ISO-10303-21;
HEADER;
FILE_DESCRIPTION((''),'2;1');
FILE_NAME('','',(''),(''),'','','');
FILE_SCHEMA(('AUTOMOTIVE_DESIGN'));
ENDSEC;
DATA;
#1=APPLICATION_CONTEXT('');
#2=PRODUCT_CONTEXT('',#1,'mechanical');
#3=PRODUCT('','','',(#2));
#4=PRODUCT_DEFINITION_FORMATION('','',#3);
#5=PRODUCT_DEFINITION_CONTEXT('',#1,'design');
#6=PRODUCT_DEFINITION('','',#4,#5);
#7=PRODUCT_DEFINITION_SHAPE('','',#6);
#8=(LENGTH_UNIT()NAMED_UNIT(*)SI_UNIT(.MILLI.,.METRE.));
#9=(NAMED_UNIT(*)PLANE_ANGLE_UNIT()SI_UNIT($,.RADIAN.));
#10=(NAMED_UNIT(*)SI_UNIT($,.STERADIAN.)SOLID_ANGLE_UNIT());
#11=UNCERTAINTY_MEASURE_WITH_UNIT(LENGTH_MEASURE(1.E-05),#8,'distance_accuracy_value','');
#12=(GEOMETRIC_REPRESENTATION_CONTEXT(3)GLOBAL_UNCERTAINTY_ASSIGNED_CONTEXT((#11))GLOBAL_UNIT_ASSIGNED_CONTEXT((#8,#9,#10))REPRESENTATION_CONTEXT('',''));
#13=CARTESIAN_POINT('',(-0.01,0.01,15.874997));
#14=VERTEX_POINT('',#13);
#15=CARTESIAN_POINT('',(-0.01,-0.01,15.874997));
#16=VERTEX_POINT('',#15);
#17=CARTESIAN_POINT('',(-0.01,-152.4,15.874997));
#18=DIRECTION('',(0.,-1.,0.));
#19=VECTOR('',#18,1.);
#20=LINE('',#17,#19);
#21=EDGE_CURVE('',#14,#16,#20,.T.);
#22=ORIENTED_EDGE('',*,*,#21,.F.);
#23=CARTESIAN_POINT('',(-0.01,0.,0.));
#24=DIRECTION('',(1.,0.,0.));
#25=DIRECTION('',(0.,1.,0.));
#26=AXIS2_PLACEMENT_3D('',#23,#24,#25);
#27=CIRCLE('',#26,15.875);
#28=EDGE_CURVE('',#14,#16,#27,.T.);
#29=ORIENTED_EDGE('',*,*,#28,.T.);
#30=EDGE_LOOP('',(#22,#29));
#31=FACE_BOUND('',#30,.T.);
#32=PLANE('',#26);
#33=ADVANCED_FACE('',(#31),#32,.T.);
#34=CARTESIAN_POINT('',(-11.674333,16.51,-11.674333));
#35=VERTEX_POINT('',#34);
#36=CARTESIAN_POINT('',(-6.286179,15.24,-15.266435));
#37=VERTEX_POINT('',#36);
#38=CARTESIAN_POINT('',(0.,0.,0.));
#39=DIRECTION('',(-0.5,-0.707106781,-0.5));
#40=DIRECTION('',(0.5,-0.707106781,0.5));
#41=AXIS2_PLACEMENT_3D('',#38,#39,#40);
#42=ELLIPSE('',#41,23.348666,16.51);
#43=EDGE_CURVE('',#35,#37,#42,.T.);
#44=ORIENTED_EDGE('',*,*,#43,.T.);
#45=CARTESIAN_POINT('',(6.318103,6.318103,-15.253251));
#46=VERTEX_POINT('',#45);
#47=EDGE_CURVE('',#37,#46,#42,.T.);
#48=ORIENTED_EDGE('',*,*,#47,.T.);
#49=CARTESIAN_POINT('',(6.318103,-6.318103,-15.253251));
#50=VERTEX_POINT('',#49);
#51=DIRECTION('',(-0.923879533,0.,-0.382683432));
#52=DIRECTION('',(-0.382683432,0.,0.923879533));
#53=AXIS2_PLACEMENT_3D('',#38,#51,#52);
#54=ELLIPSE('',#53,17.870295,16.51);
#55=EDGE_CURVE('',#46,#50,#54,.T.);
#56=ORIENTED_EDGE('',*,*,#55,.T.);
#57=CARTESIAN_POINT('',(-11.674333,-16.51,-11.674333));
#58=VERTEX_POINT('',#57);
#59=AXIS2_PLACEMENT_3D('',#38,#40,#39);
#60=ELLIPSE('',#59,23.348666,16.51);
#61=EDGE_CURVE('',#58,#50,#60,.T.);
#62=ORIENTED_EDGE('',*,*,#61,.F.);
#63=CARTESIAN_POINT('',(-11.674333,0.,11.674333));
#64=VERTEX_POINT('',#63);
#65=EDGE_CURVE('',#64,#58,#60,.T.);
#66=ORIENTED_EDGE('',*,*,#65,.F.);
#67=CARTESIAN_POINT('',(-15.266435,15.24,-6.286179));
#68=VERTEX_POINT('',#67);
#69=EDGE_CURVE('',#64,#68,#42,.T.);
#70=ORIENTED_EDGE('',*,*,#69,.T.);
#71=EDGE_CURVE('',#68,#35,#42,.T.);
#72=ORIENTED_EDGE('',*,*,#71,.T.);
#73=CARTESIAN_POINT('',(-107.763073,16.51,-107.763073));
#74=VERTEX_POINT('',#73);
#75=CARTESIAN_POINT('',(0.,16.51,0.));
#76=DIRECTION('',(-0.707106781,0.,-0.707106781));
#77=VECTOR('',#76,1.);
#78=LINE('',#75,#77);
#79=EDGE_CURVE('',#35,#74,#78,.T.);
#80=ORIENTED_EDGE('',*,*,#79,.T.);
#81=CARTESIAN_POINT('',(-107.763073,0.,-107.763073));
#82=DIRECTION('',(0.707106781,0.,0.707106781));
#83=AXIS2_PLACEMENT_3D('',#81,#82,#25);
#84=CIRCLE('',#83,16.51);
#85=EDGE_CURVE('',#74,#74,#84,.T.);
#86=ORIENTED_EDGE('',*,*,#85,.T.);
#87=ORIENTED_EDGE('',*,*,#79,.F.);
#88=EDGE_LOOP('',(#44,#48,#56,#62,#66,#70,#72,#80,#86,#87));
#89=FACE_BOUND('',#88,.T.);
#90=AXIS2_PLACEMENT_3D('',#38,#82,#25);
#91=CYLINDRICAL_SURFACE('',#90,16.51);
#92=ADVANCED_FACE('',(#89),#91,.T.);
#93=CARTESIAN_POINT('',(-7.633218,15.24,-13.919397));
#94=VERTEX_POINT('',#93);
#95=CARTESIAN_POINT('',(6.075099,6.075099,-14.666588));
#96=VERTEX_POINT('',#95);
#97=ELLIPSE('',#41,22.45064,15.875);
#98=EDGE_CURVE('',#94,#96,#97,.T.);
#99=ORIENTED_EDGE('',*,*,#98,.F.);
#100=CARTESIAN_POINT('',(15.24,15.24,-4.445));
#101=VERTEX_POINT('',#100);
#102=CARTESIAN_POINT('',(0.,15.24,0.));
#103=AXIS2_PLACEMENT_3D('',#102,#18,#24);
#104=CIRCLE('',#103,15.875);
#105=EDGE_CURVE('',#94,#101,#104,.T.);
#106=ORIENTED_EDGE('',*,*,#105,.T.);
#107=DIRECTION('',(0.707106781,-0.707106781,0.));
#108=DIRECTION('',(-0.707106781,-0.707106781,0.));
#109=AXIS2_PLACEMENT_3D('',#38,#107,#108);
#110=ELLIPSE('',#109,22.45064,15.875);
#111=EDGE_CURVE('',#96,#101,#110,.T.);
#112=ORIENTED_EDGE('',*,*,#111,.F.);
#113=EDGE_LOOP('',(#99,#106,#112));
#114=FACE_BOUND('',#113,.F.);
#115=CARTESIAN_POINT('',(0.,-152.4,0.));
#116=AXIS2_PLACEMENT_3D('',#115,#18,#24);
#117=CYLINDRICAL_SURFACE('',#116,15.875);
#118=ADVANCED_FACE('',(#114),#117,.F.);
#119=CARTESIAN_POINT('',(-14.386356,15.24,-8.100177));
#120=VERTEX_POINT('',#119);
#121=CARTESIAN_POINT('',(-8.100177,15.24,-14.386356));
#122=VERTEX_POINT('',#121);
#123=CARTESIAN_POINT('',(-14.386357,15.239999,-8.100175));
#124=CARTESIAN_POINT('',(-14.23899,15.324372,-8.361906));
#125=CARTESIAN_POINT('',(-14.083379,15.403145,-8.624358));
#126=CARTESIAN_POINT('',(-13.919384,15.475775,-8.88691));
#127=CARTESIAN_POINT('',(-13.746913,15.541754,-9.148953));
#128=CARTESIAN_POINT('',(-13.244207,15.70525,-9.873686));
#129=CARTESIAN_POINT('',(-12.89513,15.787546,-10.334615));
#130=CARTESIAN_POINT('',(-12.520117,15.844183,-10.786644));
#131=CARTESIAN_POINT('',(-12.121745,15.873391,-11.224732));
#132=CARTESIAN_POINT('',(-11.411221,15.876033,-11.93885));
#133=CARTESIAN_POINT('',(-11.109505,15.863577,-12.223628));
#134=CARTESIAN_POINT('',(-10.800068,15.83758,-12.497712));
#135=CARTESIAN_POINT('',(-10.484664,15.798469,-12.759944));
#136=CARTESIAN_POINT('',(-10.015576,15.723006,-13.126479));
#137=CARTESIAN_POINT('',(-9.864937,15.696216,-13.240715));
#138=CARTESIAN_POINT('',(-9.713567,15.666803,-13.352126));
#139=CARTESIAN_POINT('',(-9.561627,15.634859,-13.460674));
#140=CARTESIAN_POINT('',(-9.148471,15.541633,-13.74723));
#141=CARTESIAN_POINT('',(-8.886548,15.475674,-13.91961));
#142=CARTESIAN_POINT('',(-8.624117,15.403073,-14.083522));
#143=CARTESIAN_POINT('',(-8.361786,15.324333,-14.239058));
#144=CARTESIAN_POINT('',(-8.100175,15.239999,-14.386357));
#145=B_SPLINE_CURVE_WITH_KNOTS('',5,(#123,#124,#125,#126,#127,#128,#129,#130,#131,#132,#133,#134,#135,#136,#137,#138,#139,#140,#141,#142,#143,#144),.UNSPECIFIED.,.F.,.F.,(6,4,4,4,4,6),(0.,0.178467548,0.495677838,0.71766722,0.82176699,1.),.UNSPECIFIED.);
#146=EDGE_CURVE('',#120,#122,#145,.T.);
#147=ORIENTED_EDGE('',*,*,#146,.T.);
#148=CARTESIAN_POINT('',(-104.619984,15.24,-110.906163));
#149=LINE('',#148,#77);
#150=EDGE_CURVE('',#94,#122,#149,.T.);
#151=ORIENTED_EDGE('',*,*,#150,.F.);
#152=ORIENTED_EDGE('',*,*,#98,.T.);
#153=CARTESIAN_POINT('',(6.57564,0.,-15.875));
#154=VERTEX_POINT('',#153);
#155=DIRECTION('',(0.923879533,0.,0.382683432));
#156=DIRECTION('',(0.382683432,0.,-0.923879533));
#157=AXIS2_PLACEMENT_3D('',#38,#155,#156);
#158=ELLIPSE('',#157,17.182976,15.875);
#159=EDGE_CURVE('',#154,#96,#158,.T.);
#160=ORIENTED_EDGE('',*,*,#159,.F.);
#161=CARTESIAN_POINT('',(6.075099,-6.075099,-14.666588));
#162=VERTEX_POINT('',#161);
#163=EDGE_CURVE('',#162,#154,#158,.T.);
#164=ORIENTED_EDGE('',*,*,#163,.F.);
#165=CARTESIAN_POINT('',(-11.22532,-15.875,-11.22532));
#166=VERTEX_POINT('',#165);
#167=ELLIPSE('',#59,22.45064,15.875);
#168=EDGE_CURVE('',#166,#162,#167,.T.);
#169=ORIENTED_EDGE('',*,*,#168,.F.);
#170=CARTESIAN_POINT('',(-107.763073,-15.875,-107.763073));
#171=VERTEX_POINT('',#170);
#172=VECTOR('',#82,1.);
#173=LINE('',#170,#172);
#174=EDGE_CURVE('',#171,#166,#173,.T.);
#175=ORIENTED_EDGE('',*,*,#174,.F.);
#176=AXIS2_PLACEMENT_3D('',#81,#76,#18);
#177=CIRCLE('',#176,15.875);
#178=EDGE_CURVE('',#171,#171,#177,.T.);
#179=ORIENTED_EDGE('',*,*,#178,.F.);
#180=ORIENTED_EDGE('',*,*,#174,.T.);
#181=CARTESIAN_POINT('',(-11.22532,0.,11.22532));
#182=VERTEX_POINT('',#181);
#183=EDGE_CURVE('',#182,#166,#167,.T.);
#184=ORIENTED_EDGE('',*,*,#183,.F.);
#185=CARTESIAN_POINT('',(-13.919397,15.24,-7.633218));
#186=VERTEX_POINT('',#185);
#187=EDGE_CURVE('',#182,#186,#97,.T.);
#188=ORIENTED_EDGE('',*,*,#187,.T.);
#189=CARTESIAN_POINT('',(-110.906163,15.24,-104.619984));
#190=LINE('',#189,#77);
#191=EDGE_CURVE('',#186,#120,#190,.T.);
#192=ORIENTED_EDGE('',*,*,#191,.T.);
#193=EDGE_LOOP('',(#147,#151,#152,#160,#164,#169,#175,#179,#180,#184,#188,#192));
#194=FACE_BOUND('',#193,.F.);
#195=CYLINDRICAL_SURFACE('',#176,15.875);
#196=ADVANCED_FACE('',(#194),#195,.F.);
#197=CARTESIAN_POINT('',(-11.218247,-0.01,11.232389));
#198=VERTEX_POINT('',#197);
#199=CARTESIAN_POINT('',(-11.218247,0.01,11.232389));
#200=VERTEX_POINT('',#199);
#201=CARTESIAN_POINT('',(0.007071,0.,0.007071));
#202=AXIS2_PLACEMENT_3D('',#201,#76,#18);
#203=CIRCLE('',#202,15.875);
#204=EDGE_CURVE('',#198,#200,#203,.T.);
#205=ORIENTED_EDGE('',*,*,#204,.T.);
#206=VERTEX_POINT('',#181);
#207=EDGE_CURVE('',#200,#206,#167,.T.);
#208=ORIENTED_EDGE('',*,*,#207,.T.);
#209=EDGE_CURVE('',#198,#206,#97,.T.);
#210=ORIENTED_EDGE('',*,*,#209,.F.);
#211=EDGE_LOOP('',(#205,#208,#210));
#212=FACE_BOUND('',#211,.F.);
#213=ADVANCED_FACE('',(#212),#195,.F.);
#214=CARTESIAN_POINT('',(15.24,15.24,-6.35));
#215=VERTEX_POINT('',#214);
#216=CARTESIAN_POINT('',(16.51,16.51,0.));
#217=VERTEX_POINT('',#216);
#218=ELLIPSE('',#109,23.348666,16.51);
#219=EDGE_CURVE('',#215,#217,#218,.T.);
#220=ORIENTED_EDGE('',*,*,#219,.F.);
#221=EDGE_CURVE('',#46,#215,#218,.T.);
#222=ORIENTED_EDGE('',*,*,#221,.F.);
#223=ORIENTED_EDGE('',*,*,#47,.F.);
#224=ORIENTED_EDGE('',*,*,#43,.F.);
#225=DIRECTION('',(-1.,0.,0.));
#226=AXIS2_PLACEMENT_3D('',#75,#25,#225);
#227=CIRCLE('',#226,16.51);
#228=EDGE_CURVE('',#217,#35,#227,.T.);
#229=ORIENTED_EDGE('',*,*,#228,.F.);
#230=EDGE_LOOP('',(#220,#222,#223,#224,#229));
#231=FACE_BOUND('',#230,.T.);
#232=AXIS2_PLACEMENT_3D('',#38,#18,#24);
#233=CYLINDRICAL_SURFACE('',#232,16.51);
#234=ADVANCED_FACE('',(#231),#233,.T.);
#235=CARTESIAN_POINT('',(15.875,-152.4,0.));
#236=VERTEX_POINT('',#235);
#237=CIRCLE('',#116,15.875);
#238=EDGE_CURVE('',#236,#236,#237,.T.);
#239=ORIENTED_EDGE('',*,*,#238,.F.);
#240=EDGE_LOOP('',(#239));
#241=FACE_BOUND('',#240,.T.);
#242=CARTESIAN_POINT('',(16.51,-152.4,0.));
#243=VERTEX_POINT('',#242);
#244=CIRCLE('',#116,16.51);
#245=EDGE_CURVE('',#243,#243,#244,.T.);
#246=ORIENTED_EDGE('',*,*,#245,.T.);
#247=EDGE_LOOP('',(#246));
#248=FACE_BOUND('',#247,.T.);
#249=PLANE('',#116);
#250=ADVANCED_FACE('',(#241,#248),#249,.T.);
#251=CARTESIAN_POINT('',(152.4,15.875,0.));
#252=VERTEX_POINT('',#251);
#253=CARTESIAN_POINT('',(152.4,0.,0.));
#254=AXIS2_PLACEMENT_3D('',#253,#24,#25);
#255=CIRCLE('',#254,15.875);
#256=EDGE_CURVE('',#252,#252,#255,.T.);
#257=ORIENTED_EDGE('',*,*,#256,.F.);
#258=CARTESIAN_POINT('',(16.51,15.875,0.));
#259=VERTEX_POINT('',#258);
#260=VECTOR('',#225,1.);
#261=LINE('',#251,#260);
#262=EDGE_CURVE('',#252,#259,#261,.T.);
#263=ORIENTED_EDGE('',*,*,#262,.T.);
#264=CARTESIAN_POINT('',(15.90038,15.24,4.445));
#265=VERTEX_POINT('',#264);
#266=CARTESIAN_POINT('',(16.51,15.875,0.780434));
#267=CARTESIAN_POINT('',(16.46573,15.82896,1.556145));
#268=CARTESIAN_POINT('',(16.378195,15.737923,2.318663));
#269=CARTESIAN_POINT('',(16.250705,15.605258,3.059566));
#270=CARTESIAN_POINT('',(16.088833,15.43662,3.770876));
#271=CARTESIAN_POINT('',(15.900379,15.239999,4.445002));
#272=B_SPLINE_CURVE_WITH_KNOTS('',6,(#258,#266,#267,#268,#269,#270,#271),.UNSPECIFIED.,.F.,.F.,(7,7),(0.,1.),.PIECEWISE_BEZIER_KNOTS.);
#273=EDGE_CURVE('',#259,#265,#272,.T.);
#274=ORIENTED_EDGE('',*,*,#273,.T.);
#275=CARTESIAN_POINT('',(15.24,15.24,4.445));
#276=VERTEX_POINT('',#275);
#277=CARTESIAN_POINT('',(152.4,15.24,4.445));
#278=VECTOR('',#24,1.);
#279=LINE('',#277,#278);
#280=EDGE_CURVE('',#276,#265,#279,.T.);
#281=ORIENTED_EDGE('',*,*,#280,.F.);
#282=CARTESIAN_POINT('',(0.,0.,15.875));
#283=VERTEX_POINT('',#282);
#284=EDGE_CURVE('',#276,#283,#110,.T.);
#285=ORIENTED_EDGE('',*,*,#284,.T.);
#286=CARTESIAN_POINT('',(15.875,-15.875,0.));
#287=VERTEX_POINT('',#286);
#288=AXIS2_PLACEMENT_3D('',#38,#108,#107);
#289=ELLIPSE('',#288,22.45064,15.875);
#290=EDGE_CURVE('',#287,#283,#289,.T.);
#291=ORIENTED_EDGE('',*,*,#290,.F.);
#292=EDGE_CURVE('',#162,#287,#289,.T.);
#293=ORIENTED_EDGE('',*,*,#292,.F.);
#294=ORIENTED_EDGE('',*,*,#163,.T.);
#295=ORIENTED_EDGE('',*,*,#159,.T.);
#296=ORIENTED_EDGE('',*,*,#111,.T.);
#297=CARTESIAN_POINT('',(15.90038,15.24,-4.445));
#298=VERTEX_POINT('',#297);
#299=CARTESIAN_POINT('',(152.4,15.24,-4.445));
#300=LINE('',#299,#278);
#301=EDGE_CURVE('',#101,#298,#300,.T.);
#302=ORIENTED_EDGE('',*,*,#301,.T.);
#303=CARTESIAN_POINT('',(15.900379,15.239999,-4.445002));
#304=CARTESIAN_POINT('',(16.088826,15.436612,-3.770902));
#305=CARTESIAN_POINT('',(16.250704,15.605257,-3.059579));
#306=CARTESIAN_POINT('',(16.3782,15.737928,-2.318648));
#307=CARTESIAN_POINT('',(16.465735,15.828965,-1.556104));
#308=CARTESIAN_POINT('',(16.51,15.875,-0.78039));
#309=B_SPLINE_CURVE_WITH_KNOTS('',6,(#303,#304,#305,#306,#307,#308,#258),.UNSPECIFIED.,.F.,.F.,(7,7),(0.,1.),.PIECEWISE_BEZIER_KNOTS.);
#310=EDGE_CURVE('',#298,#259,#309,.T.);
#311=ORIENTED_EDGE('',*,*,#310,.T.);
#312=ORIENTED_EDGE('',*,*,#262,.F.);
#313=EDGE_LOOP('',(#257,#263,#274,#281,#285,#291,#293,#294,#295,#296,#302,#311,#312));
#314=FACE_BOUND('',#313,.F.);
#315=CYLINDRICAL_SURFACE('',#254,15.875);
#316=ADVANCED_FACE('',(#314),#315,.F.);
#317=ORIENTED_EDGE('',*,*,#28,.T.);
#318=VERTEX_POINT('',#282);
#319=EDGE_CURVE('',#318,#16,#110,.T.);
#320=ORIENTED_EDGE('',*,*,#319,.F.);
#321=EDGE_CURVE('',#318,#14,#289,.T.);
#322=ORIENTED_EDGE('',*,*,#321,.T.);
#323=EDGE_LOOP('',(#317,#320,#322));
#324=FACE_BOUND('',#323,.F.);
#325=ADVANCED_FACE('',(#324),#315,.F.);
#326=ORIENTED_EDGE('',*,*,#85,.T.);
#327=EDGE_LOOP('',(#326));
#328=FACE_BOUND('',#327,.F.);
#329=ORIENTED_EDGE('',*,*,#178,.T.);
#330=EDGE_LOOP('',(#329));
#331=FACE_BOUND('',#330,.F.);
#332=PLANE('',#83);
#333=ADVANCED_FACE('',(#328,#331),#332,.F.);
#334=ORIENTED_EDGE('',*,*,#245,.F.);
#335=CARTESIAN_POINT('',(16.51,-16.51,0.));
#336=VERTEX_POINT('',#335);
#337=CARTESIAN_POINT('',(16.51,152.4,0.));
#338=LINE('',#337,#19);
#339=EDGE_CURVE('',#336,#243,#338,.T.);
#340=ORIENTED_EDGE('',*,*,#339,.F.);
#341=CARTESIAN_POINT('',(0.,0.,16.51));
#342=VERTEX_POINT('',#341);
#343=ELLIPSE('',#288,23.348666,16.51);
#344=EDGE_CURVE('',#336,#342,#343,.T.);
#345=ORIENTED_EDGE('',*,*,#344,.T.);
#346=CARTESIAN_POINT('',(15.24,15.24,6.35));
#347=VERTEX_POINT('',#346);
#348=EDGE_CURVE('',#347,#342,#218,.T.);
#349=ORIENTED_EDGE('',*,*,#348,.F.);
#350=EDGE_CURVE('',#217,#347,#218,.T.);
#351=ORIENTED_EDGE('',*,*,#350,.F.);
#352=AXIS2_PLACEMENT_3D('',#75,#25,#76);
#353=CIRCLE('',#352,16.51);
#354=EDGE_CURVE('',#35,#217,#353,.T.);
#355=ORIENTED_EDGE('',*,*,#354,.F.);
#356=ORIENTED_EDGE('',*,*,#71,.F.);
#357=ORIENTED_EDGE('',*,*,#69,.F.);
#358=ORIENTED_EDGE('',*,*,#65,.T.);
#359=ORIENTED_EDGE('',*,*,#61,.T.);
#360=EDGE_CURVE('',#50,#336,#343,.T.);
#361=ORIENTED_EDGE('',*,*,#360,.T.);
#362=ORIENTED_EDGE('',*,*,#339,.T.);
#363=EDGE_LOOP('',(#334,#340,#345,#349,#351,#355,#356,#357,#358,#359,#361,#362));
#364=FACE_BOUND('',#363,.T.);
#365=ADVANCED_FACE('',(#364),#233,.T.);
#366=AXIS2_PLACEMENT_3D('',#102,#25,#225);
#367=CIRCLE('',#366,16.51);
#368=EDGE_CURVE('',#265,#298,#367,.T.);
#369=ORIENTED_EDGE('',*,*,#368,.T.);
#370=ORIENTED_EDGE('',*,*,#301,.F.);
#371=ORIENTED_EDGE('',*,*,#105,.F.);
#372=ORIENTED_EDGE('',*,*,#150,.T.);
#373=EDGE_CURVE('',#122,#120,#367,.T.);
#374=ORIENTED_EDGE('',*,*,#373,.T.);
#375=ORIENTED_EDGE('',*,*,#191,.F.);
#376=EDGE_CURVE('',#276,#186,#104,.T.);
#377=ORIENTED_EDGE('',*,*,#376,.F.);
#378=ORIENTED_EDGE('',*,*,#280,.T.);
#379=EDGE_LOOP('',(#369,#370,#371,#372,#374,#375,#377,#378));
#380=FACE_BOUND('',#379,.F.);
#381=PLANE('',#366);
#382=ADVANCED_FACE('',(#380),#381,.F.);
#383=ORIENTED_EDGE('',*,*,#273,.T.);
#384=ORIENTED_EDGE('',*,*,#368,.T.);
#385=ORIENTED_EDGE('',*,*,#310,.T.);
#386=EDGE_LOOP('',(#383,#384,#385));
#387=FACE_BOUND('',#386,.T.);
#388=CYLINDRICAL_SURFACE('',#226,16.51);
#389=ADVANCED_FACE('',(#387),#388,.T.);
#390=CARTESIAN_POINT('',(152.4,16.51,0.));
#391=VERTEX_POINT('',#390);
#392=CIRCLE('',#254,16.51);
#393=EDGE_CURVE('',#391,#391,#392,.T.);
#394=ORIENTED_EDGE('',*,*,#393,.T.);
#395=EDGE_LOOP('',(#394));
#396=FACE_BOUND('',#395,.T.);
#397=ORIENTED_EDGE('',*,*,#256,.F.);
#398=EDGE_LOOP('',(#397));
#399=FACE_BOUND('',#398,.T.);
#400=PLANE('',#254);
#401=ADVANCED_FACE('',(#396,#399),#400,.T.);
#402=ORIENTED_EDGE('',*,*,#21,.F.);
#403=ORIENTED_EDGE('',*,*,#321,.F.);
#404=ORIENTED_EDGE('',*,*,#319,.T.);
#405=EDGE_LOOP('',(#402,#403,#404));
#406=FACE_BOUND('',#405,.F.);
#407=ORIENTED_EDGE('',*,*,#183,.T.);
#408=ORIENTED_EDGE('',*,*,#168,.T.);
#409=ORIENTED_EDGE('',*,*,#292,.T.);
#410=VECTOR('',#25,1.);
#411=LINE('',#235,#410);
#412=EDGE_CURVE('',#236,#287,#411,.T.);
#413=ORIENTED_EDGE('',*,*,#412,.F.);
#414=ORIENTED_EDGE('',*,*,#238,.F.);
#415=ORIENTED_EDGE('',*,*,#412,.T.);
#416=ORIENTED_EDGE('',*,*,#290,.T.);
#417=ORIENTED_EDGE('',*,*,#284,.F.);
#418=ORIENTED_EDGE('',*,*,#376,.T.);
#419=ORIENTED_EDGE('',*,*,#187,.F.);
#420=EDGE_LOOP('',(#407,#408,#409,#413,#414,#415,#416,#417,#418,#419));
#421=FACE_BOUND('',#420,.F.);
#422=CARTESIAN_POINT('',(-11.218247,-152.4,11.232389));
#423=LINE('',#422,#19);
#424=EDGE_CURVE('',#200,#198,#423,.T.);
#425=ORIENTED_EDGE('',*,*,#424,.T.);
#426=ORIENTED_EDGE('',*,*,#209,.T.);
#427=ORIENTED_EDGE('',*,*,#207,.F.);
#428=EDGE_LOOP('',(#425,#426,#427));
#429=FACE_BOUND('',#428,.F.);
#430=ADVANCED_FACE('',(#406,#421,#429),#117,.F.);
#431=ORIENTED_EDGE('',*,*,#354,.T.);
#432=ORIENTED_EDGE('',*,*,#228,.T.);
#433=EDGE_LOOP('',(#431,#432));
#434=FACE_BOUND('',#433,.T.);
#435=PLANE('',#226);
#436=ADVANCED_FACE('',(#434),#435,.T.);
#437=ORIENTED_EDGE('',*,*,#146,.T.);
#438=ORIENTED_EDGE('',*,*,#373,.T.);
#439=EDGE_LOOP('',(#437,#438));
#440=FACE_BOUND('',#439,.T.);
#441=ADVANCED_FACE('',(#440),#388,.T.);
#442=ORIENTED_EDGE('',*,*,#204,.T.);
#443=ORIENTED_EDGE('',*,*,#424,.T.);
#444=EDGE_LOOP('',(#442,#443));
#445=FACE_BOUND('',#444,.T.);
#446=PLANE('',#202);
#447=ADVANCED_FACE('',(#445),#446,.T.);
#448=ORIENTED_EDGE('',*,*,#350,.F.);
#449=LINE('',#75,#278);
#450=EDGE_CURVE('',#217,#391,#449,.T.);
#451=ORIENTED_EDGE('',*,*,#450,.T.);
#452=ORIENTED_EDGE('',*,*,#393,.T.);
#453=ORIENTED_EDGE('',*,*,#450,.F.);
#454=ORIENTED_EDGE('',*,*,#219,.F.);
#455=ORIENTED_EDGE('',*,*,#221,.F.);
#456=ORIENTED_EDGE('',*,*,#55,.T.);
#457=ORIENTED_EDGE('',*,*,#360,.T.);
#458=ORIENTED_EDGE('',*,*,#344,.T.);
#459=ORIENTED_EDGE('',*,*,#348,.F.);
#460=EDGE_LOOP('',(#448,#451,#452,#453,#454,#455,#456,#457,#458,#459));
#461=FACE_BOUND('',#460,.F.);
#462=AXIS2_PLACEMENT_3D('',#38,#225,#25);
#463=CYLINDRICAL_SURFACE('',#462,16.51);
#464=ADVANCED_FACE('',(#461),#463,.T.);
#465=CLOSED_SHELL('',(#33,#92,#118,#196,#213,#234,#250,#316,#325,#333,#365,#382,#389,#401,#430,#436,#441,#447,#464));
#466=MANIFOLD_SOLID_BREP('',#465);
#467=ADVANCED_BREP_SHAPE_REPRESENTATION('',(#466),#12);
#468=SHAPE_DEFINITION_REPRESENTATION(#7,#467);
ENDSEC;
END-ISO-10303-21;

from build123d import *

# Parameters (mm, degrees)
F0_R          = 16.51
F1_DEPTH      = 152.4
F1_DEPTH_BACK = 152.4
F2_R          = 16.51
F3_DEPTH      = 152.4
F5_R          = 16.51
F6_DEPTH      = 152.4
F7_R          = 15.875
F8_DEPTH      = 304.801
F9_R          = 15.875
F10_DEPTH     = 152.41
F11_R         = 15.875
F12_DEPTH     = 152.41
F13_R         = 16.51
F14_DEPTH     = 135.89
F15_R         = 16.51
F16_DEPTH     = 1.27


with BuildPart() as f1:
    # F0 (on Front) → F1 (new body, two sides)
    with BuildSketch(Plane.XZ) as f1_sk:
        Circle(F0_R)
    extrude(amount=F1_DEPTH)
    extrude(f1_sk.sketch, amount=-F1_DEPTH_BACK)

    # F2 (on Right) → F3 (join)
    with BuildSketch(Plane.YZ):
        Circle(F2_R)
    extrude(amount=F3_DEPTH)

    # F5 (on face) → F6 (join)
    with BuildSketch(Plane(origin=(0, 0, 0), x_dir=(0, 1, 0), z_dir=(0.7071067812, 0, 0.7071067812))):
        Circle(F5_R)
    extrude(amount=-F6_DEPTH)

    # F7 (on face) → F8 (cut, through all)
    with BuildSketch(Plane.XZ.offset(152.4)):
        Circle(F7_R)
    extrude(amount=-F8_DEPTH, mode=Mode.SUBTRACT)

    # F9 (on face) → F10 (cut, up to face)
    with BuildSketch(Plane.YZ.offset(152.4)):
        Circle(F9_R)
    extrude(amount=-F10_DEPTH, mode=Mode.SUBTRACT)

    # F11 (on face) → F12 (cut, up to face)
    with BuildSketch(Plane(origin=(-107.7630734528, 0, -107.7630734528), x_dir=(0, -1, 0), z_dir=(-0.7071067812, 0, -0.7071067812))):
        Circle(F11_R)
    extrude(amount=-F12_DEPTH, mode=Mode.SUBTRACT)

    # F13 (on face) → F14 (cut)
    with BuildSketch(Plane(origin=(0, 152.4, 0), x_dir=(-1, 0, 0), z_dir=(0, 1, 0))):
        Circle(F13_R)
    extrude(amount=-F14_DEPTH, mode=Mode.SUBTRACT)

    # F15 (on face) → F16 (join)
    with BuildSketch(Plane(origin=(0, 16.51, 0), x_dir=(-1, 0, 0), z_dir=(0, 1, 0))):
        Circle(F15_R)
    extrude(amount=-F16_DEPTH)


solid = f1.part
